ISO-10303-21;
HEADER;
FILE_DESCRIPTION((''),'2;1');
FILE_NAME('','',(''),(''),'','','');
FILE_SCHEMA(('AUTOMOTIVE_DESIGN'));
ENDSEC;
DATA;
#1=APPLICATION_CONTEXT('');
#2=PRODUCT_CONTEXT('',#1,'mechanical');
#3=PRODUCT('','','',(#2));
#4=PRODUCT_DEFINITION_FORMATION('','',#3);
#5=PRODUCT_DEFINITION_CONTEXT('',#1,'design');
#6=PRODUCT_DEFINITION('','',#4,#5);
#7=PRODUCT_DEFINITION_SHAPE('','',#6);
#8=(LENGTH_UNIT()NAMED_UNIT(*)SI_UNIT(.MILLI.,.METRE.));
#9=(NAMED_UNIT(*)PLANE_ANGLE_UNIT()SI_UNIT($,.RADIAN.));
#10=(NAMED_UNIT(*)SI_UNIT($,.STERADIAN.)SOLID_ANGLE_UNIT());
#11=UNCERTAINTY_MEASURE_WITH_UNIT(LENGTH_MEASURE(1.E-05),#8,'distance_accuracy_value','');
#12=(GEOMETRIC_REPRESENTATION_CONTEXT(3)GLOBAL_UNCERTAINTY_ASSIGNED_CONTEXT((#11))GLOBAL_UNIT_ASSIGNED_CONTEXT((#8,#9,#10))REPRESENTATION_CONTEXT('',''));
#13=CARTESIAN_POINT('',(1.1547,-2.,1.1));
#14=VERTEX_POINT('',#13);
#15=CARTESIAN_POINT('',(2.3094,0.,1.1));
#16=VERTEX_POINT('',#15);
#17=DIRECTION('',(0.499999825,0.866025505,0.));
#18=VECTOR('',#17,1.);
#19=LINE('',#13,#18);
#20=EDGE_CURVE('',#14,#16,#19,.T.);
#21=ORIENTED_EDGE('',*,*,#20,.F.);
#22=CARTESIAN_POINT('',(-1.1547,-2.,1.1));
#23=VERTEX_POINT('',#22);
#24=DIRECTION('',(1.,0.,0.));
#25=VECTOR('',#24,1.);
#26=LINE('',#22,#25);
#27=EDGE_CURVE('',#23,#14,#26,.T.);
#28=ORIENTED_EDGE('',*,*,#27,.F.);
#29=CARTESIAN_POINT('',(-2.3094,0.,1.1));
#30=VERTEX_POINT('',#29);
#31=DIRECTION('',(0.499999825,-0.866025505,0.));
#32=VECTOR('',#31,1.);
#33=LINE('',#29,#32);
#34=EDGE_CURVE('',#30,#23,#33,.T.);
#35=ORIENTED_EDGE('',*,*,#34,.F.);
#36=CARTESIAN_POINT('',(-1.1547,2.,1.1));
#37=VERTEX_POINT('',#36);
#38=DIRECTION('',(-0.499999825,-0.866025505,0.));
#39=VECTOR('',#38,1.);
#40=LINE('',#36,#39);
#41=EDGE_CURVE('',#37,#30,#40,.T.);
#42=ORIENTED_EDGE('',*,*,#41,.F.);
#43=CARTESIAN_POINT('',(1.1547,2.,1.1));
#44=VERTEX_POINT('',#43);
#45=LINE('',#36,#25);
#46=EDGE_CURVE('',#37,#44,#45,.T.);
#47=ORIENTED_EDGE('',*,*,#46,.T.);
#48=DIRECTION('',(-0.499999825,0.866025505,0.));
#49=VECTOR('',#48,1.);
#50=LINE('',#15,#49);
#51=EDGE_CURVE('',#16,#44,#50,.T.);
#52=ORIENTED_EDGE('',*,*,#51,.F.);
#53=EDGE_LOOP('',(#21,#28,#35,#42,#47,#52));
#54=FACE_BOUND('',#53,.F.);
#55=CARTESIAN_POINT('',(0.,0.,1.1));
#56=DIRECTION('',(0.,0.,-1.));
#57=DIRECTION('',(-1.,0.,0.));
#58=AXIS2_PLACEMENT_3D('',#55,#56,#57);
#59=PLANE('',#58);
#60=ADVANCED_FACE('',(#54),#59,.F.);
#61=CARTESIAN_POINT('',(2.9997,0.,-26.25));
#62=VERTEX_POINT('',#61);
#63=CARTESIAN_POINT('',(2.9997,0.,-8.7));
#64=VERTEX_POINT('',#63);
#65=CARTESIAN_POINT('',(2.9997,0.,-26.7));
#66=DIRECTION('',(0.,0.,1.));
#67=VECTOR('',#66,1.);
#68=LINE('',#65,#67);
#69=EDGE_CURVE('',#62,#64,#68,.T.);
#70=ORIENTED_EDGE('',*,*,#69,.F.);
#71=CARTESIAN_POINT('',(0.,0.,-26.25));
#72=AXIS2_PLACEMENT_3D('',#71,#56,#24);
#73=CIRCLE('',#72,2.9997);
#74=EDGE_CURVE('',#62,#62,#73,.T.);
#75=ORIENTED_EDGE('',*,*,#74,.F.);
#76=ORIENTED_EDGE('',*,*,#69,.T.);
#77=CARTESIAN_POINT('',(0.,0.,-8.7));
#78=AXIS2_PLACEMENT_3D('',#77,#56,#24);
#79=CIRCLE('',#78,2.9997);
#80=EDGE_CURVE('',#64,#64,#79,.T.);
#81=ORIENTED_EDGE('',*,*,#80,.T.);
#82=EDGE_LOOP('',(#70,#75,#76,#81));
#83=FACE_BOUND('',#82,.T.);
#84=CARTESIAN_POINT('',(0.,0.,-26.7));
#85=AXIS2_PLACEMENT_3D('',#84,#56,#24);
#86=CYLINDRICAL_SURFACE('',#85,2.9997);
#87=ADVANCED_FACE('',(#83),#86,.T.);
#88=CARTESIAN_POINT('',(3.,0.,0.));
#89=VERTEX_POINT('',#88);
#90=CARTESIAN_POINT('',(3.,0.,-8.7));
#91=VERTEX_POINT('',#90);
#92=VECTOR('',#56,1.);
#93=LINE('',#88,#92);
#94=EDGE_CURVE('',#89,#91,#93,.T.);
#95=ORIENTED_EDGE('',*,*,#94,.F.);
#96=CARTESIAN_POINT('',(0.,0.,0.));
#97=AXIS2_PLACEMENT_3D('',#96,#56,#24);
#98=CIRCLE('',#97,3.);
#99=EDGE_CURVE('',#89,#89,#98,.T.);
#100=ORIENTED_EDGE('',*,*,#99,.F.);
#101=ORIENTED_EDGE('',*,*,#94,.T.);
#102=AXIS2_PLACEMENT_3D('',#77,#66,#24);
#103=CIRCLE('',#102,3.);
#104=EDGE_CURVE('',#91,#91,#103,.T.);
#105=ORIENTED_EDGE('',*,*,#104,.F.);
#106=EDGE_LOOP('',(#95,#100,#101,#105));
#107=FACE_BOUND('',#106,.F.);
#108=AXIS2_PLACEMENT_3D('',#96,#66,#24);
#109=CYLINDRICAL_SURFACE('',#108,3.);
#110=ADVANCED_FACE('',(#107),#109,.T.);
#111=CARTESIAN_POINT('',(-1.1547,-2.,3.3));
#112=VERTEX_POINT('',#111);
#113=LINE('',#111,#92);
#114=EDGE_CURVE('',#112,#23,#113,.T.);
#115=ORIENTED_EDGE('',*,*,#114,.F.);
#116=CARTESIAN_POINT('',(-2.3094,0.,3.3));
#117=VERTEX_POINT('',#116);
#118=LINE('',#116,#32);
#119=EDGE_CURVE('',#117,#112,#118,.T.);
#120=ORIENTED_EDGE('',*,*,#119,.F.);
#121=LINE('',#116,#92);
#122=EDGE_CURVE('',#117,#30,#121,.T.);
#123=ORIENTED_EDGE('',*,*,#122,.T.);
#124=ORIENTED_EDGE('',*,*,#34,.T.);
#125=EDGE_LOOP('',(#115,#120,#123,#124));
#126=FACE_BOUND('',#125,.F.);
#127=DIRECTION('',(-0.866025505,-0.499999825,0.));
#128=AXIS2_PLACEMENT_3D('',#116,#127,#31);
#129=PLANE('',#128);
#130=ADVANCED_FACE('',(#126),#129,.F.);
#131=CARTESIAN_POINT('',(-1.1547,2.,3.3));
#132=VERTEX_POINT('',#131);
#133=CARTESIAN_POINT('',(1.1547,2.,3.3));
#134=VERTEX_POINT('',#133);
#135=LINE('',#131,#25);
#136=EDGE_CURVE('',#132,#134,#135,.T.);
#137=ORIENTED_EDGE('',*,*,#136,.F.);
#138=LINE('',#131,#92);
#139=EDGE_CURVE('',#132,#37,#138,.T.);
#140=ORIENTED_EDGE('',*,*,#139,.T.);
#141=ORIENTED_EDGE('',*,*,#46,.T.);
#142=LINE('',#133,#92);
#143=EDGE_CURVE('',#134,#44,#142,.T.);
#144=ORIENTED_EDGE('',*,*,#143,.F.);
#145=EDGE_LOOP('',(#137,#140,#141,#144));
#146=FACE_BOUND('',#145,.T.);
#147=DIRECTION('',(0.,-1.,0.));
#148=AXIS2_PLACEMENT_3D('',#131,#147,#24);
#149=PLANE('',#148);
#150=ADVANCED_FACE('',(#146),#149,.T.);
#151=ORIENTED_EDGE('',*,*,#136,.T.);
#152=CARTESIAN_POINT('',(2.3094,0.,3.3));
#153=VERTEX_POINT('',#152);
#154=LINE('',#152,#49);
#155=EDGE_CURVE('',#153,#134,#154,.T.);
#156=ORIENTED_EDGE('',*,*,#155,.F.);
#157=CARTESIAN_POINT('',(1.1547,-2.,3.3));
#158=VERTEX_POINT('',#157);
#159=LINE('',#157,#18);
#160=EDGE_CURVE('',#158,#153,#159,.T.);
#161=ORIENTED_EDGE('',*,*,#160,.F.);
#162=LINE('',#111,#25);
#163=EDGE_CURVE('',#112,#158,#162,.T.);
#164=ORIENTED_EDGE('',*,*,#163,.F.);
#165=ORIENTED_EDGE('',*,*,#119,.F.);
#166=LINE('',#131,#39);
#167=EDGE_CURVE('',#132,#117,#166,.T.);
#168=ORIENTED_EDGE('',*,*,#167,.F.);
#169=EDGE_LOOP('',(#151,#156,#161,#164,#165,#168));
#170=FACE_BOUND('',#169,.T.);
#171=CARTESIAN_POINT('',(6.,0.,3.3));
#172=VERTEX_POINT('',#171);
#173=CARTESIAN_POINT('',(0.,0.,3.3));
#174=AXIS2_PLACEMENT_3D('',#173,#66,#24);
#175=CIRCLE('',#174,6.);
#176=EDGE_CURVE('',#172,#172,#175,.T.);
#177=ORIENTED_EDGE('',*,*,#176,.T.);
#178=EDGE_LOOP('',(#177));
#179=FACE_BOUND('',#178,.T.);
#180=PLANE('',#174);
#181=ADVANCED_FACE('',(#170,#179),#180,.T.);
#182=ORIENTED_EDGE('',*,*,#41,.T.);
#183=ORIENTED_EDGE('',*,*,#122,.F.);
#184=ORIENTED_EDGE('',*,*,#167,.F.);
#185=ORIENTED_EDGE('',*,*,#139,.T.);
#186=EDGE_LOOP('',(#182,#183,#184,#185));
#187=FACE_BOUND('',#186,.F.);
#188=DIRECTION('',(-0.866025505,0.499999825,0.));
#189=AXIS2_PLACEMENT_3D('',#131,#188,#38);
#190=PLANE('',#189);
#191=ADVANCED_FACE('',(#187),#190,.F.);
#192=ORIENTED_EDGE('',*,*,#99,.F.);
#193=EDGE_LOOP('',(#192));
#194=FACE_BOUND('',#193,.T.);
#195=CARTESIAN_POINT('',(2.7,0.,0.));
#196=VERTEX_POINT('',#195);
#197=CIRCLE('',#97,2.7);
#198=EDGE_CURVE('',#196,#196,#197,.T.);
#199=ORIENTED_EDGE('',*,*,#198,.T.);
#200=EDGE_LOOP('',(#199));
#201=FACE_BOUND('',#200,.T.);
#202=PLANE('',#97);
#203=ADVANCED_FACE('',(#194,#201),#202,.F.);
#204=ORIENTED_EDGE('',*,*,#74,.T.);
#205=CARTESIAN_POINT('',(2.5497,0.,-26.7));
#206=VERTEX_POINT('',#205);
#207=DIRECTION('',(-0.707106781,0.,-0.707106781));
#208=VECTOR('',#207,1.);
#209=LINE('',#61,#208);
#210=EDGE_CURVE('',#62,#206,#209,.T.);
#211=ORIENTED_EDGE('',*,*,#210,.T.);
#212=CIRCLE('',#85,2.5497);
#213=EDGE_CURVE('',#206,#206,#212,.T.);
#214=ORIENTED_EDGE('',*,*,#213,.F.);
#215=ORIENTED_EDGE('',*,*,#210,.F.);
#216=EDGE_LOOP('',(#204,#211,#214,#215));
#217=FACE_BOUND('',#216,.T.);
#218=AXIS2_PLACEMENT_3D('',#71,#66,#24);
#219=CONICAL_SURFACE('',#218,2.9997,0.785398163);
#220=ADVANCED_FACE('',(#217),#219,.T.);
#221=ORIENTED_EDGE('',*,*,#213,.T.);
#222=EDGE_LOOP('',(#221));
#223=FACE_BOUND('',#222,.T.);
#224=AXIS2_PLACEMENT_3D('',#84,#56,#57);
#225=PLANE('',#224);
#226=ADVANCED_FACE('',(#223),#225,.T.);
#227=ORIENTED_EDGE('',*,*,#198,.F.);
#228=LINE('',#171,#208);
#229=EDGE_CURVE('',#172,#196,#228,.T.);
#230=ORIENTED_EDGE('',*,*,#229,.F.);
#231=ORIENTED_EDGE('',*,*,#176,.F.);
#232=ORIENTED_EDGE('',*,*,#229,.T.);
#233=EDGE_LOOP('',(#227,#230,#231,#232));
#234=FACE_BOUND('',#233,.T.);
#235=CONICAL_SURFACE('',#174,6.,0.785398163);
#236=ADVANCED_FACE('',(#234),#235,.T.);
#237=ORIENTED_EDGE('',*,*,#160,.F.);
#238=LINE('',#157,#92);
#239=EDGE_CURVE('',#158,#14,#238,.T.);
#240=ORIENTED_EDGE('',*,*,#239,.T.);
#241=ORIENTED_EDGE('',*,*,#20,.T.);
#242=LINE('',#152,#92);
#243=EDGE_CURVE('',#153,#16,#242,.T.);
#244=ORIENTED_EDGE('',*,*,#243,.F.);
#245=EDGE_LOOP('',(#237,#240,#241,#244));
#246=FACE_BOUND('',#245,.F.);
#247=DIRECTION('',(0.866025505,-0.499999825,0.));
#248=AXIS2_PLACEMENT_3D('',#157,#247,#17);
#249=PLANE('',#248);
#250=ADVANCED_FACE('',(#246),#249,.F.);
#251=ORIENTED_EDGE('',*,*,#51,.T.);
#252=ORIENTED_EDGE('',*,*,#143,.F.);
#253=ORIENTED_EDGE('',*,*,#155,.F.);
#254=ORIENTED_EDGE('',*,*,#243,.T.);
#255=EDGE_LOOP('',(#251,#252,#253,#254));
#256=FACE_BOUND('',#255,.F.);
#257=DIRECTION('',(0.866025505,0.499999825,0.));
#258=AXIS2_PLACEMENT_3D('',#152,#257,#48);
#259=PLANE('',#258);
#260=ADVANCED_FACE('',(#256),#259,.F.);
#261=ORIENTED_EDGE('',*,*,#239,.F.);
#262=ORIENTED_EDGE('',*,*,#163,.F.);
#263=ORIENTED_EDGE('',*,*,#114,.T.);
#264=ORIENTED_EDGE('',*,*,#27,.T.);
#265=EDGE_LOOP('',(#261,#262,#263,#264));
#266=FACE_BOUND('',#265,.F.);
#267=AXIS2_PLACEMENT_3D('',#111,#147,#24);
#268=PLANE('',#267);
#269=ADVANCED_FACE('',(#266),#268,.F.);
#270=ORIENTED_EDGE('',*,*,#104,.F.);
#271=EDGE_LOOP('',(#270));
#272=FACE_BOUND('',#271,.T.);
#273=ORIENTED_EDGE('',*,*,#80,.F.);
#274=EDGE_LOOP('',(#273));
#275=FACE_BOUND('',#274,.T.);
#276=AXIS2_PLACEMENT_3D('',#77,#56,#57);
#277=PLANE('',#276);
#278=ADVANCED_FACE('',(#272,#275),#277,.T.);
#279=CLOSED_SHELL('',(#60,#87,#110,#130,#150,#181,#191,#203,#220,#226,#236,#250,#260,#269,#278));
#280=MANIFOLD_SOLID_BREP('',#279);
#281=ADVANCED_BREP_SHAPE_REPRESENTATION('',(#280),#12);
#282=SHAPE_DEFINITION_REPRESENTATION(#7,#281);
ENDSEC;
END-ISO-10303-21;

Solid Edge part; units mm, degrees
sketch "Sketch1" plane through (0, 0, 0) normal (0, 0, 1) x (1, 0, 0)
  circle A0 centre (0, 0) radius 6
  dimension "D1" = 12
extrude "Protrusion1" add sketch "Sketch1" along normal blind 3.3
sketch "Sketch2" plane through (0, 0, 0) normal (0, 0, -1) x (1, 0, 0)
  circle A0 centre (0, 0) radius 3
extrude "Protrusion2" add sketch "Sketch2" along normal blind 26.7
sketch "Sketch3" plane through (0, 0, -26.7) normal (0, 0, -1) x (1, 0, 0)
  circle A0 centre (0, 0) radius 2.9997
extrude "Cutout1" cut sketch "Sketch3" against normal blind 18 flip side to cut
chamfer "Chamfer_1" distance 0.45 angle 45 1 edges at (-2.9997, 0, -26.7)
sketch "Sketch4" plane through (0, 0, 3.3) normal (0, 0, 1) x (1, 0, 0)
  line L0 (-1.1547, 2) -> (1.1547, 2)
  line L1 (2.3094, 0) -> (1.1547, 2)
  line L2 (1.1547, -2) -> (2.3094, 0)
  line L3 (-1.1547, -2) -> (1.1547, -2)
  line L4 (-2.3094, 0) -> (-1.1547, -2)
  line L5 (-1.1547, 2) -> (-2.3094, 0)
  dimension "D1" = 4
extrude "Cutout2" cut sketch "Sketch4" against normal blind 2.2
sketch "Sketch5" plane through (0, 0, 0) normal (0, -1, 0) x (1, 0, 0)
  line L0 (6, 3.3) -> (2.7, 0)
  line L1 (2.7, 0) -> (6, 0)
  line L2 (6, 0) -> (6, 3.3)
revolve "RevolvedCutout1" cut sketch "Sketch5" angle 360 about axis through (0, 0, 14.0017) along (0, 0, -1)
properties part number "24101472"
